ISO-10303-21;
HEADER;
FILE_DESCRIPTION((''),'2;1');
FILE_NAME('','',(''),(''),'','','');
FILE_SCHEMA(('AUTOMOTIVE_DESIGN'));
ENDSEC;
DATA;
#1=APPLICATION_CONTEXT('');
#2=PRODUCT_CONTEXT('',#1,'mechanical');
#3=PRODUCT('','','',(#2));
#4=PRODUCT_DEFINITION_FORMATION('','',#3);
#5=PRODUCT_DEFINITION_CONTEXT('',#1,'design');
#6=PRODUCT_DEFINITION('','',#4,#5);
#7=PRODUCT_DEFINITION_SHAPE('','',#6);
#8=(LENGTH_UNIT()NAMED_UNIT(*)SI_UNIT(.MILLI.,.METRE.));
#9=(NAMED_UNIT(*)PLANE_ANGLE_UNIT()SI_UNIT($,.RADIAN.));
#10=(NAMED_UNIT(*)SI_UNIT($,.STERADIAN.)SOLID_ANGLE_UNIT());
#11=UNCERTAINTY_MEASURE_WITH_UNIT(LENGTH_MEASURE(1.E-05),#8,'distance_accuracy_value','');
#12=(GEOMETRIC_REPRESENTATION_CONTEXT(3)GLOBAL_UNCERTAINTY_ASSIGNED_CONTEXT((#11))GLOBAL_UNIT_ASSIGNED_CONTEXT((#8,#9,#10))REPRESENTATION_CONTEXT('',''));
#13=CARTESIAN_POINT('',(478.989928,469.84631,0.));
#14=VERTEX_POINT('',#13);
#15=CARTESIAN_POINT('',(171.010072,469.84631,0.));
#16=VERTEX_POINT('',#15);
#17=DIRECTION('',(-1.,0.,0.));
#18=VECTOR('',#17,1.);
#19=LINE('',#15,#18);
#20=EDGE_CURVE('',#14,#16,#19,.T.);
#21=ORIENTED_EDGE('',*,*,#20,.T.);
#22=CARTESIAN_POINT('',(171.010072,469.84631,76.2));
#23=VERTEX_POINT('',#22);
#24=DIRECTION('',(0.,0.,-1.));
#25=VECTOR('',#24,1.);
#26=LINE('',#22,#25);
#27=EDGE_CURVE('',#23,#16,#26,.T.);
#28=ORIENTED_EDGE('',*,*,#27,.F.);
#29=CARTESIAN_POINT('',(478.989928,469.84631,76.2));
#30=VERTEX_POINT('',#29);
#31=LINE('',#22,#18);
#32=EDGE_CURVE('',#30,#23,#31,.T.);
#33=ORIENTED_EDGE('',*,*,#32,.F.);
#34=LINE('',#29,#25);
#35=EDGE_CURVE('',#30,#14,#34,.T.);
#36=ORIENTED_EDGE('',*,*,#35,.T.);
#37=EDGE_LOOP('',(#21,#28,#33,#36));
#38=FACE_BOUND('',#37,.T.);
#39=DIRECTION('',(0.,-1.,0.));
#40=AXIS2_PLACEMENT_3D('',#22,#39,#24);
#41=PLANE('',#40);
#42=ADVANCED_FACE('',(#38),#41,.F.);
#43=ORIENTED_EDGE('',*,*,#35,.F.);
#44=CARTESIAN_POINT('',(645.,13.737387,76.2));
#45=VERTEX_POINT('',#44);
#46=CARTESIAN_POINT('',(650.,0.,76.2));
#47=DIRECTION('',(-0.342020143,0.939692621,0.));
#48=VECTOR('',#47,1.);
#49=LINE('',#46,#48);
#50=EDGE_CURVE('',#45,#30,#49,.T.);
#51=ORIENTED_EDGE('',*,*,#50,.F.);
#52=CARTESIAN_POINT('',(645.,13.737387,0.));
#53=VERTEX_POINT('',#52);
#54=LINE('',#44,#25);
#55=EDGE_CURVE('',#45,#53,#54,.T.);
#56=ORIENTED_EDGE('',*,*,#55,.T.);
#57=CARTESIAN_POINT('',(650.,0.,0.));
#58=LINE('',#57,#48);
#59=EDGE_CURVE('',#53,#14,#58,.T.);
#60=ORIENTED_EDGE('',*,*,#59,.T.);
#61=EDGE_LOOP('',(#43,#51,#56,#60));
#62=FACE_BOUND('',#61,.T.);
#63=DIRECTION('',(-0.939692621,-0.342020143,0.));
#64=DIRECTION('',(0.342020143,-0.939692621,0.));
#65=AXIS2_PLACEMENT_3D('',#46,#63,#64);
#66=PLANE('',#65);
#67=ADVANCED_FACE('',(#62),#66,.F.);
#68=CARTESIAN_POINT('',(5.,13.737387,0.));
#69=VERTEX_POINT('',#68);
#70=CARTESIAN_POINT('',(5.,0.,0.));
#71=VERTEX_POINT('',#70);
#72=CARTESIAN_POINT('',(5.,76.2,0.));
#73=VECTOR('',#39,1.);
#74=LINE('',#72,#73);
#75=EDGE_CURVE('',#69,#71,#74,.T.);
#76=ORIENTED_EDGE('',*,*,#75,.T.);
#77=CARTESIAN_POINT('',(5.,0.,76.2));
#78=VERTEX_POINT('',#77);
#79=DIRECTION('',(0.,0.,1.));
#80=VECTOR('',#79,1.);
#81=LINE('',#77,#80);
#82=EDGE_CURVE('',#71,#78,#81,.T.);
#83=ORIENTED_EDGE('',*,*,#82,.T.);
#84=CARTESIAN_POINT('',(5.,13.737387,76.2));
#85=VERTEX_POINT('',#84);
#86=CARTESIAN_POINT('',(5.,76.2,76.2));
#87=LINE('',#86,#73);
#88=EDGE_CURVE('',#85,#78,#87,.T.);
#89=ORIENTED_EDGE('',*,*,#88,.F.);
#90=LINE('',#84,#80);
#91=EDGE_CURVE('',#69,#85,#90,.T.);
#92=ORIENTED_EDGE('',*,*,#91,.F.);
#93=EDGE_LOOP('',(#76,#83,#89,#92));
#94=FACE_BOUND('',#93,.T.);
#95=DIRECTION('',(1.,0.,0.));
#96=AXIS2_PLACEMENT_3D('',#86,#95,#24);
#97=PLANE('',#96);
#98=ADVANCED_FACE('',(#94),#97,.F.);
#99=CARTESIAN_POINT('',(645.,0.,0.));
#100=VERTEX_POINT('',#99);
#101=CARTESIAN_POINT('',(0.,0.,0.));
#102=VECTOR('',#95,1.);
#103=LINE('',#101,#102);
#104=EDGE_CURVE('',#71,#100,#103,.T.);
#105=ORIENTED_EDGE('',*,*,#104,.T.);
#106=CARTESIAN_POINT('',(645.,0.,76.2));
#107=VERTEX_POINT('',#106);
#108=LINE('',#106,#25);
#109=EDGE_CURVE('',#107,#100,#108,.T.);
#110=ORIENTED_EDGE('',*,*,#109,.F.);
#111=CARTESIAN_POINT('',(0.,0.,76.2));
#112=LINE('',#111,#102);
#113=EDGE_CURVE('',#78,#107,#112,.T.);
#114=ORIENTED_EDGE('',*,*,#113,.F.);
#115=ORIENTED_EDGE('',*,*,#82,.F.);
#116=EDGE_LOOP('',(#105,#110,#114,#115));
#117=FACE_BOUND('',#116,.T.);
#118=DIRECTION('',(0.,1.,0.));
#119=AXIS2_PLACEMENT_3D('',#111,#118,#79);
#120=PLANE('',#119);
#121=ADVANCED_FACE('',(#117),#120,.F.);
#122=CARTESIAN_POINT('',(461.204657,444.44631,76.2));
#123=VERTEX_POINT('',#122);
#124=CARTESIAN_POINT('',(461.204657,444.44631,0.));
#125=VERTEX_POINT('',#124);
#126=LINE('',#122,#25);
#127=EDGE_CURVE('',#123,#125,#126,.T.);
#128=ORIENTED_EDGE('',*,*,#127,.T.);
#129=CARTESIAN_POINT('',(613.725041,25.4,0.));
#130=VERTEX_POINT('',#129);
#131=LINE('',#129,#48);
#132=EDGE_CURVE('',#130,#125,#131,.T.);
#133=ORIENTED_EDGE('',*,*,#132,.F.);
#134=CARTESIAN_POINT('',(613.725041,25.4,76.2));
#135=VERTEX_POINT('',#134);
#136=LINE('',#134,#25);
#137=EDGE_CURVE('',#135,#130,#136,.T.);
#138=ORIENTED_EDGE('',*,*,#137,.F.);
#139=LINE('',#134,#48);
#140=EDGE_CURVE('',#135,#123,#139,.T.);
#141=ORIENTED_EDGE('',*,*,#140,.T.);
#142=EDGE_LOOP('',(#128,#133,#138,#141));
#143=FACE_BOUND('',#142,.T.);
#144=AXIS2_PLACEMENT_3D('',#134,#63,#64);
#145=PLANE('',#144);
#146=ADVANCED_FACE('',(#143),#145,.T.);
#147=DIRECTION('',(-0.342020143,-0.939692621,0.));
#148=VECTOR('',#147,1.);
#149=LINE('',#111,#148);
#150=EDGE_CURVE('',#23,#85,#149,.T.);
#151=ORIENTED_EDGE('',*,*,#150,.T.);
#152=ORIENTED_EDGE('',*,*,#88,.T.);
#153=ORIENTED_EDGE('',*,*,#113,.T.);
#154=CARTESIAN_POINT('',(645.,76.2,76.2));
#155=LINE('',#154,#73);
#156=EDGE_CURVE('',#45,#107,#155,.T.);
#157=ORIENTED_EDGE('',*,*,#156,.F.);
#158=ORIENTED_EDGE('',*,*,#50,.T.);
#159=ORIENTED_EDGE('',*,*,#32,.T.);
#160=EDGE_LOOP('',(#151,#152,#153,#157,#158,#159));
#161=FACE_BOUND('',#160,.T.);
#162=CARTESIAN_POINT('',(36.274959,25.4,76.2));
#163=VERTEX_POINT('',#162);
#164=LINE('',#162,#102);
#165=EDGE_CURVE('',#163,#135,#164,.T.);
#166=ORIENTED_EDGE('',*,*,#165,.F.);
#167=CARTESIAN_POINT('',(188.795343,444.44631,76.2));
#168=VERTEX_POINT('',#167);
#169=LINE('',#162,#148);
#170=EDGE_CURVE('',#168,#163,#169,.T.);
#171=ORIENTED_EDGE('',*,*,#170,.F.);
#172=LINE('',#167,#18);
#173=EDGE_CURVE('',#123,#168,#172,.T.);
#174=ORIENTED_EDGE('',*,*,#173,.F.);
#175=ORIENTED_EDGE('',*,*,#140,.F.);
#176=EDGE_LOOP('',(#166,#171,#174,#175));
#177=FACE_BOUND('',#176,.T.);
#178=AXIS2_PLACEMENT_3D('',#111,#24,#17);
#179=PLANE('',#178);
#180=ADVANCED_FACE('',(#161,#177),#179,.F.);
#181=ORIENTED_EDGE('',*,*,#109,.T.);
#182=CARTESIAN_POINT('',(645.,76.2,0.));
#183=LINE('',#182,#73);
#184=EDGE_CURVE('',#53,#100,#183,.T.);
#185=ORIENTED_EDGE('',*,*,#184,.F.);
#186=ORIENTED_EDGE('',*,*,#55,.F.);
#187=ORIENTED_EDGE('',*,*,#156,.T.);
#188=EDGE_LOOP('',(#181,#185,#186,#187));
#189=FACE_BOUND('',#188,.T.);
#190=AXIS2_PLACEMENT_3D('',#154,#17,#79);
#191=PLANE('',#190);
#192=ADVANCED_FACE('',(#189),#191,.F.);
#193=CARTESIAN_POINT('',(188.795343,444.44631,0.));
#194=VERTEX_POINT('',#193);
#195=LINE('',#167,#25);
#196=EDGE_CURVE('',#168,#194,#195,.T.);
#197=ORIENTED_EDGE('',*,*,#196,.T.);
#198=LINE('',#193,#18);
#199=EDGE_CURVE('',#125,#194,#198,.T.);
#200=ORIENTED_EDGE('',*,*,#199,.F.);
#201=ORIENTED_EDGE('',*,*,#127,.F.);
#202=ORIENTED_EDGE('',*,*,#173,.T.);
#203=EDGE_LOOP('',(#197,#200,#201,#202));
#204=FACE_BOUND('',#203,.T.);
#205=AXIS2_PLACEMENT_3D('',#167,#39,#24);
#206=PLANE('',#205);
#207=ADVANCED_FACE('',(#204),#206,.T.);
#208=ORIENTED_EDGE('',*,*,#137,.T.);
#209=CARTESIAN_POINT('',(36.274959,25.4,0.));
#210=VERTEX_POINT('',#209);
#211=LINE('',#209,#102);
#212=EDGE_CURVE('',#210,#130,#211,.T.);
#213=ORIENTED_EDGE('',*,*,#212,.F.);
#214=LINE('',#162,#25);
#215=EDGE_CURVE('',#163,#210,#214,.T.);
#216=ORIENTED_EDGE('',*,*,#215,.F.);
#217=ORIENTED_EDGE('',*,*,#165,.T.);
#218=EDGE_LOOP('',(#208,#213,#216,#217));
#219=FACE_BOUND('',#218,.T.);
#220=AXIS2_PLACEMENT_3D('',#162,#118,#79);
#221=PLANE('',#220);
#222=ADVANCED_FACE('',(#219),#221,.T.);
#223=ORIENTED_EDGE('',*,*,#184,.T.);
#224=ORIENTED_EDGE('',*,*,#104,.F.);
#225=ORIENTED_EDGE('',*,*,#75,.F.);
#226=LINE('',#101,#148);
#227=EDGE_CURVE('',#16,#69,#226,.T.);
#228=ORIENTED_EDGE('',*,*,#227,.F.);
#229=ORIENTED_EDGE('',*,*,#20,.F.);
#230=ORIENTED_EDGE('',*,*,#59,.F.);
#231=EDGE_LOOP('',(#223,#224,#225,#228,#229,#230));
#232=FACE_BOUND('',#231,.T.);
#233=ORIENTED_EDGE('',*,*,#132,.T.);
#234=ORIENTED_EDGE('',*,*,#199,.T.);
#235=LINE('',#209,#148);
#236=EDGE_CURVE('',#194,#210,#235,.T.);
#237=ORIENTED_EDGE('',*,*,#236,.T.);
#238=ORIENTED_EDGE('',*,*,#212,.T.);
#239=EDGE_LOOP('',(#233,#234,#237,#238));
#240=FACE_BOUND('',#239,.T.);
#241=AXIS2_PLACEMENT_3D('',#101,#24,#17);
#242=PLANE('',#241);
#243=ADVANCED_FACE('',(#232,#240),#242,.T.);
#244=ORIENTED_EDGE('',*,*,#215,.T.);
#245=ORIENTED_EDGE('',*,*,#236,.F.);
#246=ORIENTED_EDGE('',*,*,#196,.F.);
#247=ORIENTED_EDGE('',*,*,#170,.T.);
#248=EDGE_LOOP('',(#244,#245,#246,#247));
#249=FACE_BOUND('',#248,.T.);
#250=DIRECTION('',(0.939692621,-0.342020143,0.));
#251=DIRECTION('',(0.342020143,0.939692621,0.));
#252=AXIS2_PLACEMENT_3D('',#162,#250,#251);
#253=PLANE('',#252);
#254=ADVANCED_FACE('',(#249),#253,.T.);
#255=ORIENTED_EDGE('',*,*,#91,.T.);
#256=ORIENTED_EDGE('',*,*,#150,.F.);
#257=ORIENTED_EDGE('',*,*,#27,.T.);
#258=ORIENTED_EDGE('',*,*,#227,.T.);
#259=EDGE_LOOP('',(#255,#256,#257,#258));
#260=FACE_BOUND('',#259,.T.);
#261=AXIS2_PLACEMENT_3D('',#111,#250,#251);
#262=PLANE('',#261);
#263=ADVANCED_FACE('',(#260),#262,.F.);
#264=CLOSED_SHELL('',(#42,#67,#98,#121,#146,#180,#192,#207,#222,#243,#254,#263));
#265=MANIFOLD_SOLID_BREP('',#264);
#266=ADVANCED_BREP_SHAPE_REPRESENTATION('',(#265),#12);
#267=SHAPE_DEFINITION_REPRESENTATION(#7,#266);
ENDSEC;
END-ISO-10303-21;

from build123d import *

# Parameters (mm, degrees)
SALIENTE_EXTRUIR1_DEPTH = 76.2
CROQUIS2_W              = 5
CROQUIS2_H              = 76.2
CORTAR_EXTRUIR1_DEPTH   = 76.2


with BuildPart() as part:
    # Croquis1 → Saliente-Extruir1 (new body)
    with BuildSketch(Plane.XY):
        Polygon((0, 0), (650, 0), (478.989928337, 469.846310393), (171.010071663, 469.846310393), align=None)
        Polygon((188.795343133, 444.446310393), (461.204656867, 444.446310393), (613.725040629, 25.4), (36.274959371, 25.4), align=None, mode=Mode.SUBTRACT)
    extrude(amount=SALIENTE_EXTRUIR1_DEPTH)

    # Croquis2 → Cortar-Extruir1 (cut)
    with BuildSketch(Plane.XZ):
        with Locations((2.5, 38.1)):
            Rectangle(CROQUIS2_W, CROQUIS2_H)
        with Locations((647.5, 38.1)):
            Rectangle(CROQUIS2_W, CROQUIS2_H)
    extrude(amount=-CORTAR_EXTRUIR1_DEPTH, mode=Mode.SUBTRACT)


solid = part.part
